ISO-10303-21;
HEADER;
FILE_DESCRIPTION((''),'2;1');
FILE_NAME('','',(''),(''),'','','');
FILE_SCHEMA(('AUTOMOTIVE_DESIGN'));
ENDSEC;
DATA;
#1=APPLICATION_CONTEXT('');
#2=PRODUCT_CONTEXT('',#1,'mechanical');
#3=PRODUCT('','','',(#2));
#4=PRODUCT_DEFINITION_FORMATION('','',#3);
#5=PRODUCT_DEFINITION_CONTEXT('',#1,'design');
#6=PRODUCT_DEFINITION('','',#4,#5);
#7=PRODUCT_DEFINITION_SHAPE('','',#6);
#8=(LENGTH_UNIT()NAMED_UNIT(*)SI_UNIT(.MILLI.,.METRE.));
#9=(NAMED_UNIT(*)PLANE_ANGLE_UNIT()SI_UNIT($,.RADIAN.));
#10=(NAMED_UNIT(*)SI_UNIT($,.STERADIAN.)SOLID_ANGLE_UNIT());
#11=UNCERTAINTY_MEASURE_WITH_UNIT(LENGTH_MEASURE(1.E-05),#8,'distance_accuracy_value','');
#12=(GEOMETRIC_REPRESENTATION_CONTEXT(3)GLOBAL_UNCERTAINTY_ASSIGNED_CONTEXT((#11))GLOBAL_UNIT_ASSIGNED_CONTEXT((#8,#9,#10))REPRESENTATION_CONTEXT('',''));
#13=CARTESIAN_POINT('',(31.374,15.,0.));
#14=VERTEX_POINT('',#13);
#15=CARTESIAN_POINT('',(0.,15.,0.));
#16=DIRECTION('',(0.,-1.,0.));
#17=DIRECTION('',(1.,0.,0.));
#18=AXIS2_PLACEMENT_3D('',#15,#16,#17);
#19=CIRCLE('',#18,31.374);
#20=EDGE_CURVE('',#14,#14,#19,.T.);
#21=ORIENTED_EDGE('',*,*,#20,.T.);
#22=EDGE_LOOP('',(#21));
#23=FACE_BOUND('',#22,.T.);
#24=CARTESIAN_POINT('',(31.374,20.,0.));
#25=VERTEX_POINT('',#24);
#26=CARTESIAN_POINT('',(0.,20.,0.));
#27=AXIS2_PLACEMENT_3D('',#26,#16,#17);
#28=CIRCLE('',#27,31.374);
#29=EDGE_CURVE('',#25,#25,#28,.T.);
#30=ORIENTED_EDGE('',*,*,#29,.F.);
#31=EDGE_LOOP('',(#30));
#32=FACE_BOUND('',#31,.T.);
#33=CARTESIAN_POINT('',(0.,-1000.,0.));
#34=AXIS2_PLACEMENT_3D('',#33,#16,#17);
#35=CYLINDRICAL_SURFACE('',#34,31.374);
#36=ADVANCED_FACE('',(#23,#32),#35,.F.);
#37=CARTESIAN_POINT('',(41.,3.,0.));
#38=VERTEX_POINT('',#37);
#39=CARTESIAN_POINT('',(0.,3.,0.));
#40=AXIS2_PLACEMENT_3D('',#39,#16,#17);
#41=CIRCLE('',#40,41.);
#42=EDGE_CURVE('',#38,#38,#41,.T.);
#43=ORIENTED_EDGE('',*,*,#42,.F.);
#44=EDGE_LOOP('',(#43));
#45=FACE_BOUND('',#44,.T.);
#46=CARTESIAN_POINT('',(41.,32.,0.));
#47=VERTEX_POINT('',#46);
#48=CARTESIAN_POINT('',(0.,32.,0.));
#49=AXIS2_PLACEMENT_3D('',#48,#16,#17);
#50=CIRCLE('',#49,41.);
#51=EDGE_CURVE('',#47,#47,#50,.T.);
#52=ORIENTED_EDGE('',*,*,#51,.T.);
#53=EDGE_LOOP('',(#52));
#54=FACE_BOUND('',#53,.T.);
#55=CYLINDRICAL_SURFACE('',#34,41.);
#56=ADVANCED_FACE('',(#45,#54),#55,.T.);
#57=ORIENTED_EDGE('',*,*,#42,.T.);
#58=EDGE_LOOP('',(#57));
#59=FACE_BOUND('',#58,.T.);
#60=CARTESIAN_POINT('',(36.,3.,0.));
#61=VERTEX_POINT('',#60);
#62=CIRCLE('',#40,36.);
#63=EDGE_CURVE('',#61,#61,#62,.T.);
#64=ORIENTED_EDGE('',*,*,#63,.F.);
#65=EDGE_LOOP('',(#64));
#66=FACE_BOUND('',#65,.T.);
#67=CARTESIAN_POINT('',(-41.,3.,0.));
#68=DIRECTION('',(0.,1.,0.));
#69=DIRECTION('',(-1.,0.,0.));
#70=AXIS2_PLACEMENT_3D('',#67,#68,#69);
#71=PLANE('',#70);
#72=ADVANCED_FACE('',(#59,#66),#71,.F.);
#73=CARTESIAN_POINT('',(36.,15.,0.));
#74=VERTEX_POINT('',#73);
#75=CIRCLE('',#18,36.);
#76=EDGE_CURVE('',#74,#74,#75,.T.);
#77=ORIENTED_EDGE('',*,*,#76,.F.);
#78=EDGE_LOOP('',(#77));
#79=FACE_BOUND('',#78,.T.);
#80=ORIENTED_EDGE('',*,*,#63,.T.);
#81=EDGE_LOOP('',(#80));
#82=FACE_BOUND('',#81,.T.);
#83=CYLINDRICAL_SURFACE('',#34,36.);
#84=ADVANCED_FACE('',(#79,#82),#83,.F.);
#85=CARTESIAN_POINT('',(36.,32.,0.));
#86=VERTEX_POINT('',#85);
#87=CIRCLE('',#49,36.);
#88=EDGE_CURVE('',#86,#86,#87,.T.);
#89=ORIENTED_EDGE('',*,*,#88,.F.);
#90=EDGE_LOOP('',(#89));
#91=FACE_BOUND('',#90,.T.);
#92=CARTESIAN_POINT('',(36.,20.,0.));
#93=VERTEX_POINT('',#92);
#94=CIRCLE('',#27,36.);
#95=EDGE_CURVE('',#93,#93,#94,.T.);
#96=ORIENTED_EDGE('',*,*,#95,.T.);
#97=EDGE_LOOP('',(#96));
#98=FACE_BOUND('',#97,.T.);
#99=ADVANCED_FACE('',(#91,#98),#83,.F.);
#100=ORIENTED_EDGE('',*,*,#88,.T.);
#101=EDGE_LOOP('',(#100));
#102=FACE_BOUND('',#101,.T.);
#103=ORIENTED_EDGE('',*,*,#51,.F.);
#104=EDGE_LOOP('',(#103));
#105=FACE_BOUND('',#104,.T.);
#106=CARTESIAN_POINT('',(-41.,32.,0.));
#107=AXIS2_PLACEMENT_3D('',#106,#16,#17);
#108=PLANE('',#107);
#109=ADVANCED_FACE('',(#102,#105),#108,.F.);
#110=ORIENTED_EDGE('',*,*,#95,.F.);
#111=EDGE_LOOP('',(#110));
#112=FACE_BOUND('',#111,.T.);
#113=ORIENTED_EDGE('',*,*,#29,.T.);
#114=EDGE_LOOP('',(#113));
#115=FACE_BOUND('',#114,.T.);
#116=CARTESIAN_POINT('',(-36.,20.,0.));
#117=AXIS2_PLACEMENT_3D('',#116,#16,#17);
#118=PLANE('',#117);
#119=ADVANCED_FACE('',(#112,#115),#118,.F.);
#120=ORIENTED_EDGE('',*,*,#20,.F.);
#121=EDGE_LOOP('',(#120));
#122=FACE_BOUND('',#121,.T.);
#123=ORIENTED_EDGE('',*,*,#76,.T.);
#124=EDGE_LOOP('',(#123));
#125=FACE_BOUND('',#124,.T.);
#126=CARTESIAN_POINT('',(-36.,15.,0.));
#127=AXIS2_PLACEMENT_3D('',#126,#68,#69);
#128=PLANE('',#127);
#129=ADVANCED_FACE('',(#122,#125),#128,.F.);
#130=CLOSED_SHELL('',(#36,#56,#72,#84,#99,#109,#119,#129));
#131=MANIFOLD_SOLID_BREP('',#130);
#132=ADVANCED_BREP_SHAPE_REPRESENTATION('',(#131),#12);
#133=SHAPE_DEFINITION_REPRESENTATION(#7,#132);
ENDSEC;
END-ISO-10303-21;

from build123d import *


with BuildPart() as part:
    # Эскиз1 → Повернуть1 (revolve)
    with BuildSketch(Plane.XY):
        Polygon((-36, 15), (-36, 3), (-41, 3), (-41, 32), (-36, 32), (-36, 20), (-31.374, 20), (-31.374, 15), align=None)
    revolve(axis=Axis((0, -1000, 0), (0, 1, 0)))


solid = part.part
